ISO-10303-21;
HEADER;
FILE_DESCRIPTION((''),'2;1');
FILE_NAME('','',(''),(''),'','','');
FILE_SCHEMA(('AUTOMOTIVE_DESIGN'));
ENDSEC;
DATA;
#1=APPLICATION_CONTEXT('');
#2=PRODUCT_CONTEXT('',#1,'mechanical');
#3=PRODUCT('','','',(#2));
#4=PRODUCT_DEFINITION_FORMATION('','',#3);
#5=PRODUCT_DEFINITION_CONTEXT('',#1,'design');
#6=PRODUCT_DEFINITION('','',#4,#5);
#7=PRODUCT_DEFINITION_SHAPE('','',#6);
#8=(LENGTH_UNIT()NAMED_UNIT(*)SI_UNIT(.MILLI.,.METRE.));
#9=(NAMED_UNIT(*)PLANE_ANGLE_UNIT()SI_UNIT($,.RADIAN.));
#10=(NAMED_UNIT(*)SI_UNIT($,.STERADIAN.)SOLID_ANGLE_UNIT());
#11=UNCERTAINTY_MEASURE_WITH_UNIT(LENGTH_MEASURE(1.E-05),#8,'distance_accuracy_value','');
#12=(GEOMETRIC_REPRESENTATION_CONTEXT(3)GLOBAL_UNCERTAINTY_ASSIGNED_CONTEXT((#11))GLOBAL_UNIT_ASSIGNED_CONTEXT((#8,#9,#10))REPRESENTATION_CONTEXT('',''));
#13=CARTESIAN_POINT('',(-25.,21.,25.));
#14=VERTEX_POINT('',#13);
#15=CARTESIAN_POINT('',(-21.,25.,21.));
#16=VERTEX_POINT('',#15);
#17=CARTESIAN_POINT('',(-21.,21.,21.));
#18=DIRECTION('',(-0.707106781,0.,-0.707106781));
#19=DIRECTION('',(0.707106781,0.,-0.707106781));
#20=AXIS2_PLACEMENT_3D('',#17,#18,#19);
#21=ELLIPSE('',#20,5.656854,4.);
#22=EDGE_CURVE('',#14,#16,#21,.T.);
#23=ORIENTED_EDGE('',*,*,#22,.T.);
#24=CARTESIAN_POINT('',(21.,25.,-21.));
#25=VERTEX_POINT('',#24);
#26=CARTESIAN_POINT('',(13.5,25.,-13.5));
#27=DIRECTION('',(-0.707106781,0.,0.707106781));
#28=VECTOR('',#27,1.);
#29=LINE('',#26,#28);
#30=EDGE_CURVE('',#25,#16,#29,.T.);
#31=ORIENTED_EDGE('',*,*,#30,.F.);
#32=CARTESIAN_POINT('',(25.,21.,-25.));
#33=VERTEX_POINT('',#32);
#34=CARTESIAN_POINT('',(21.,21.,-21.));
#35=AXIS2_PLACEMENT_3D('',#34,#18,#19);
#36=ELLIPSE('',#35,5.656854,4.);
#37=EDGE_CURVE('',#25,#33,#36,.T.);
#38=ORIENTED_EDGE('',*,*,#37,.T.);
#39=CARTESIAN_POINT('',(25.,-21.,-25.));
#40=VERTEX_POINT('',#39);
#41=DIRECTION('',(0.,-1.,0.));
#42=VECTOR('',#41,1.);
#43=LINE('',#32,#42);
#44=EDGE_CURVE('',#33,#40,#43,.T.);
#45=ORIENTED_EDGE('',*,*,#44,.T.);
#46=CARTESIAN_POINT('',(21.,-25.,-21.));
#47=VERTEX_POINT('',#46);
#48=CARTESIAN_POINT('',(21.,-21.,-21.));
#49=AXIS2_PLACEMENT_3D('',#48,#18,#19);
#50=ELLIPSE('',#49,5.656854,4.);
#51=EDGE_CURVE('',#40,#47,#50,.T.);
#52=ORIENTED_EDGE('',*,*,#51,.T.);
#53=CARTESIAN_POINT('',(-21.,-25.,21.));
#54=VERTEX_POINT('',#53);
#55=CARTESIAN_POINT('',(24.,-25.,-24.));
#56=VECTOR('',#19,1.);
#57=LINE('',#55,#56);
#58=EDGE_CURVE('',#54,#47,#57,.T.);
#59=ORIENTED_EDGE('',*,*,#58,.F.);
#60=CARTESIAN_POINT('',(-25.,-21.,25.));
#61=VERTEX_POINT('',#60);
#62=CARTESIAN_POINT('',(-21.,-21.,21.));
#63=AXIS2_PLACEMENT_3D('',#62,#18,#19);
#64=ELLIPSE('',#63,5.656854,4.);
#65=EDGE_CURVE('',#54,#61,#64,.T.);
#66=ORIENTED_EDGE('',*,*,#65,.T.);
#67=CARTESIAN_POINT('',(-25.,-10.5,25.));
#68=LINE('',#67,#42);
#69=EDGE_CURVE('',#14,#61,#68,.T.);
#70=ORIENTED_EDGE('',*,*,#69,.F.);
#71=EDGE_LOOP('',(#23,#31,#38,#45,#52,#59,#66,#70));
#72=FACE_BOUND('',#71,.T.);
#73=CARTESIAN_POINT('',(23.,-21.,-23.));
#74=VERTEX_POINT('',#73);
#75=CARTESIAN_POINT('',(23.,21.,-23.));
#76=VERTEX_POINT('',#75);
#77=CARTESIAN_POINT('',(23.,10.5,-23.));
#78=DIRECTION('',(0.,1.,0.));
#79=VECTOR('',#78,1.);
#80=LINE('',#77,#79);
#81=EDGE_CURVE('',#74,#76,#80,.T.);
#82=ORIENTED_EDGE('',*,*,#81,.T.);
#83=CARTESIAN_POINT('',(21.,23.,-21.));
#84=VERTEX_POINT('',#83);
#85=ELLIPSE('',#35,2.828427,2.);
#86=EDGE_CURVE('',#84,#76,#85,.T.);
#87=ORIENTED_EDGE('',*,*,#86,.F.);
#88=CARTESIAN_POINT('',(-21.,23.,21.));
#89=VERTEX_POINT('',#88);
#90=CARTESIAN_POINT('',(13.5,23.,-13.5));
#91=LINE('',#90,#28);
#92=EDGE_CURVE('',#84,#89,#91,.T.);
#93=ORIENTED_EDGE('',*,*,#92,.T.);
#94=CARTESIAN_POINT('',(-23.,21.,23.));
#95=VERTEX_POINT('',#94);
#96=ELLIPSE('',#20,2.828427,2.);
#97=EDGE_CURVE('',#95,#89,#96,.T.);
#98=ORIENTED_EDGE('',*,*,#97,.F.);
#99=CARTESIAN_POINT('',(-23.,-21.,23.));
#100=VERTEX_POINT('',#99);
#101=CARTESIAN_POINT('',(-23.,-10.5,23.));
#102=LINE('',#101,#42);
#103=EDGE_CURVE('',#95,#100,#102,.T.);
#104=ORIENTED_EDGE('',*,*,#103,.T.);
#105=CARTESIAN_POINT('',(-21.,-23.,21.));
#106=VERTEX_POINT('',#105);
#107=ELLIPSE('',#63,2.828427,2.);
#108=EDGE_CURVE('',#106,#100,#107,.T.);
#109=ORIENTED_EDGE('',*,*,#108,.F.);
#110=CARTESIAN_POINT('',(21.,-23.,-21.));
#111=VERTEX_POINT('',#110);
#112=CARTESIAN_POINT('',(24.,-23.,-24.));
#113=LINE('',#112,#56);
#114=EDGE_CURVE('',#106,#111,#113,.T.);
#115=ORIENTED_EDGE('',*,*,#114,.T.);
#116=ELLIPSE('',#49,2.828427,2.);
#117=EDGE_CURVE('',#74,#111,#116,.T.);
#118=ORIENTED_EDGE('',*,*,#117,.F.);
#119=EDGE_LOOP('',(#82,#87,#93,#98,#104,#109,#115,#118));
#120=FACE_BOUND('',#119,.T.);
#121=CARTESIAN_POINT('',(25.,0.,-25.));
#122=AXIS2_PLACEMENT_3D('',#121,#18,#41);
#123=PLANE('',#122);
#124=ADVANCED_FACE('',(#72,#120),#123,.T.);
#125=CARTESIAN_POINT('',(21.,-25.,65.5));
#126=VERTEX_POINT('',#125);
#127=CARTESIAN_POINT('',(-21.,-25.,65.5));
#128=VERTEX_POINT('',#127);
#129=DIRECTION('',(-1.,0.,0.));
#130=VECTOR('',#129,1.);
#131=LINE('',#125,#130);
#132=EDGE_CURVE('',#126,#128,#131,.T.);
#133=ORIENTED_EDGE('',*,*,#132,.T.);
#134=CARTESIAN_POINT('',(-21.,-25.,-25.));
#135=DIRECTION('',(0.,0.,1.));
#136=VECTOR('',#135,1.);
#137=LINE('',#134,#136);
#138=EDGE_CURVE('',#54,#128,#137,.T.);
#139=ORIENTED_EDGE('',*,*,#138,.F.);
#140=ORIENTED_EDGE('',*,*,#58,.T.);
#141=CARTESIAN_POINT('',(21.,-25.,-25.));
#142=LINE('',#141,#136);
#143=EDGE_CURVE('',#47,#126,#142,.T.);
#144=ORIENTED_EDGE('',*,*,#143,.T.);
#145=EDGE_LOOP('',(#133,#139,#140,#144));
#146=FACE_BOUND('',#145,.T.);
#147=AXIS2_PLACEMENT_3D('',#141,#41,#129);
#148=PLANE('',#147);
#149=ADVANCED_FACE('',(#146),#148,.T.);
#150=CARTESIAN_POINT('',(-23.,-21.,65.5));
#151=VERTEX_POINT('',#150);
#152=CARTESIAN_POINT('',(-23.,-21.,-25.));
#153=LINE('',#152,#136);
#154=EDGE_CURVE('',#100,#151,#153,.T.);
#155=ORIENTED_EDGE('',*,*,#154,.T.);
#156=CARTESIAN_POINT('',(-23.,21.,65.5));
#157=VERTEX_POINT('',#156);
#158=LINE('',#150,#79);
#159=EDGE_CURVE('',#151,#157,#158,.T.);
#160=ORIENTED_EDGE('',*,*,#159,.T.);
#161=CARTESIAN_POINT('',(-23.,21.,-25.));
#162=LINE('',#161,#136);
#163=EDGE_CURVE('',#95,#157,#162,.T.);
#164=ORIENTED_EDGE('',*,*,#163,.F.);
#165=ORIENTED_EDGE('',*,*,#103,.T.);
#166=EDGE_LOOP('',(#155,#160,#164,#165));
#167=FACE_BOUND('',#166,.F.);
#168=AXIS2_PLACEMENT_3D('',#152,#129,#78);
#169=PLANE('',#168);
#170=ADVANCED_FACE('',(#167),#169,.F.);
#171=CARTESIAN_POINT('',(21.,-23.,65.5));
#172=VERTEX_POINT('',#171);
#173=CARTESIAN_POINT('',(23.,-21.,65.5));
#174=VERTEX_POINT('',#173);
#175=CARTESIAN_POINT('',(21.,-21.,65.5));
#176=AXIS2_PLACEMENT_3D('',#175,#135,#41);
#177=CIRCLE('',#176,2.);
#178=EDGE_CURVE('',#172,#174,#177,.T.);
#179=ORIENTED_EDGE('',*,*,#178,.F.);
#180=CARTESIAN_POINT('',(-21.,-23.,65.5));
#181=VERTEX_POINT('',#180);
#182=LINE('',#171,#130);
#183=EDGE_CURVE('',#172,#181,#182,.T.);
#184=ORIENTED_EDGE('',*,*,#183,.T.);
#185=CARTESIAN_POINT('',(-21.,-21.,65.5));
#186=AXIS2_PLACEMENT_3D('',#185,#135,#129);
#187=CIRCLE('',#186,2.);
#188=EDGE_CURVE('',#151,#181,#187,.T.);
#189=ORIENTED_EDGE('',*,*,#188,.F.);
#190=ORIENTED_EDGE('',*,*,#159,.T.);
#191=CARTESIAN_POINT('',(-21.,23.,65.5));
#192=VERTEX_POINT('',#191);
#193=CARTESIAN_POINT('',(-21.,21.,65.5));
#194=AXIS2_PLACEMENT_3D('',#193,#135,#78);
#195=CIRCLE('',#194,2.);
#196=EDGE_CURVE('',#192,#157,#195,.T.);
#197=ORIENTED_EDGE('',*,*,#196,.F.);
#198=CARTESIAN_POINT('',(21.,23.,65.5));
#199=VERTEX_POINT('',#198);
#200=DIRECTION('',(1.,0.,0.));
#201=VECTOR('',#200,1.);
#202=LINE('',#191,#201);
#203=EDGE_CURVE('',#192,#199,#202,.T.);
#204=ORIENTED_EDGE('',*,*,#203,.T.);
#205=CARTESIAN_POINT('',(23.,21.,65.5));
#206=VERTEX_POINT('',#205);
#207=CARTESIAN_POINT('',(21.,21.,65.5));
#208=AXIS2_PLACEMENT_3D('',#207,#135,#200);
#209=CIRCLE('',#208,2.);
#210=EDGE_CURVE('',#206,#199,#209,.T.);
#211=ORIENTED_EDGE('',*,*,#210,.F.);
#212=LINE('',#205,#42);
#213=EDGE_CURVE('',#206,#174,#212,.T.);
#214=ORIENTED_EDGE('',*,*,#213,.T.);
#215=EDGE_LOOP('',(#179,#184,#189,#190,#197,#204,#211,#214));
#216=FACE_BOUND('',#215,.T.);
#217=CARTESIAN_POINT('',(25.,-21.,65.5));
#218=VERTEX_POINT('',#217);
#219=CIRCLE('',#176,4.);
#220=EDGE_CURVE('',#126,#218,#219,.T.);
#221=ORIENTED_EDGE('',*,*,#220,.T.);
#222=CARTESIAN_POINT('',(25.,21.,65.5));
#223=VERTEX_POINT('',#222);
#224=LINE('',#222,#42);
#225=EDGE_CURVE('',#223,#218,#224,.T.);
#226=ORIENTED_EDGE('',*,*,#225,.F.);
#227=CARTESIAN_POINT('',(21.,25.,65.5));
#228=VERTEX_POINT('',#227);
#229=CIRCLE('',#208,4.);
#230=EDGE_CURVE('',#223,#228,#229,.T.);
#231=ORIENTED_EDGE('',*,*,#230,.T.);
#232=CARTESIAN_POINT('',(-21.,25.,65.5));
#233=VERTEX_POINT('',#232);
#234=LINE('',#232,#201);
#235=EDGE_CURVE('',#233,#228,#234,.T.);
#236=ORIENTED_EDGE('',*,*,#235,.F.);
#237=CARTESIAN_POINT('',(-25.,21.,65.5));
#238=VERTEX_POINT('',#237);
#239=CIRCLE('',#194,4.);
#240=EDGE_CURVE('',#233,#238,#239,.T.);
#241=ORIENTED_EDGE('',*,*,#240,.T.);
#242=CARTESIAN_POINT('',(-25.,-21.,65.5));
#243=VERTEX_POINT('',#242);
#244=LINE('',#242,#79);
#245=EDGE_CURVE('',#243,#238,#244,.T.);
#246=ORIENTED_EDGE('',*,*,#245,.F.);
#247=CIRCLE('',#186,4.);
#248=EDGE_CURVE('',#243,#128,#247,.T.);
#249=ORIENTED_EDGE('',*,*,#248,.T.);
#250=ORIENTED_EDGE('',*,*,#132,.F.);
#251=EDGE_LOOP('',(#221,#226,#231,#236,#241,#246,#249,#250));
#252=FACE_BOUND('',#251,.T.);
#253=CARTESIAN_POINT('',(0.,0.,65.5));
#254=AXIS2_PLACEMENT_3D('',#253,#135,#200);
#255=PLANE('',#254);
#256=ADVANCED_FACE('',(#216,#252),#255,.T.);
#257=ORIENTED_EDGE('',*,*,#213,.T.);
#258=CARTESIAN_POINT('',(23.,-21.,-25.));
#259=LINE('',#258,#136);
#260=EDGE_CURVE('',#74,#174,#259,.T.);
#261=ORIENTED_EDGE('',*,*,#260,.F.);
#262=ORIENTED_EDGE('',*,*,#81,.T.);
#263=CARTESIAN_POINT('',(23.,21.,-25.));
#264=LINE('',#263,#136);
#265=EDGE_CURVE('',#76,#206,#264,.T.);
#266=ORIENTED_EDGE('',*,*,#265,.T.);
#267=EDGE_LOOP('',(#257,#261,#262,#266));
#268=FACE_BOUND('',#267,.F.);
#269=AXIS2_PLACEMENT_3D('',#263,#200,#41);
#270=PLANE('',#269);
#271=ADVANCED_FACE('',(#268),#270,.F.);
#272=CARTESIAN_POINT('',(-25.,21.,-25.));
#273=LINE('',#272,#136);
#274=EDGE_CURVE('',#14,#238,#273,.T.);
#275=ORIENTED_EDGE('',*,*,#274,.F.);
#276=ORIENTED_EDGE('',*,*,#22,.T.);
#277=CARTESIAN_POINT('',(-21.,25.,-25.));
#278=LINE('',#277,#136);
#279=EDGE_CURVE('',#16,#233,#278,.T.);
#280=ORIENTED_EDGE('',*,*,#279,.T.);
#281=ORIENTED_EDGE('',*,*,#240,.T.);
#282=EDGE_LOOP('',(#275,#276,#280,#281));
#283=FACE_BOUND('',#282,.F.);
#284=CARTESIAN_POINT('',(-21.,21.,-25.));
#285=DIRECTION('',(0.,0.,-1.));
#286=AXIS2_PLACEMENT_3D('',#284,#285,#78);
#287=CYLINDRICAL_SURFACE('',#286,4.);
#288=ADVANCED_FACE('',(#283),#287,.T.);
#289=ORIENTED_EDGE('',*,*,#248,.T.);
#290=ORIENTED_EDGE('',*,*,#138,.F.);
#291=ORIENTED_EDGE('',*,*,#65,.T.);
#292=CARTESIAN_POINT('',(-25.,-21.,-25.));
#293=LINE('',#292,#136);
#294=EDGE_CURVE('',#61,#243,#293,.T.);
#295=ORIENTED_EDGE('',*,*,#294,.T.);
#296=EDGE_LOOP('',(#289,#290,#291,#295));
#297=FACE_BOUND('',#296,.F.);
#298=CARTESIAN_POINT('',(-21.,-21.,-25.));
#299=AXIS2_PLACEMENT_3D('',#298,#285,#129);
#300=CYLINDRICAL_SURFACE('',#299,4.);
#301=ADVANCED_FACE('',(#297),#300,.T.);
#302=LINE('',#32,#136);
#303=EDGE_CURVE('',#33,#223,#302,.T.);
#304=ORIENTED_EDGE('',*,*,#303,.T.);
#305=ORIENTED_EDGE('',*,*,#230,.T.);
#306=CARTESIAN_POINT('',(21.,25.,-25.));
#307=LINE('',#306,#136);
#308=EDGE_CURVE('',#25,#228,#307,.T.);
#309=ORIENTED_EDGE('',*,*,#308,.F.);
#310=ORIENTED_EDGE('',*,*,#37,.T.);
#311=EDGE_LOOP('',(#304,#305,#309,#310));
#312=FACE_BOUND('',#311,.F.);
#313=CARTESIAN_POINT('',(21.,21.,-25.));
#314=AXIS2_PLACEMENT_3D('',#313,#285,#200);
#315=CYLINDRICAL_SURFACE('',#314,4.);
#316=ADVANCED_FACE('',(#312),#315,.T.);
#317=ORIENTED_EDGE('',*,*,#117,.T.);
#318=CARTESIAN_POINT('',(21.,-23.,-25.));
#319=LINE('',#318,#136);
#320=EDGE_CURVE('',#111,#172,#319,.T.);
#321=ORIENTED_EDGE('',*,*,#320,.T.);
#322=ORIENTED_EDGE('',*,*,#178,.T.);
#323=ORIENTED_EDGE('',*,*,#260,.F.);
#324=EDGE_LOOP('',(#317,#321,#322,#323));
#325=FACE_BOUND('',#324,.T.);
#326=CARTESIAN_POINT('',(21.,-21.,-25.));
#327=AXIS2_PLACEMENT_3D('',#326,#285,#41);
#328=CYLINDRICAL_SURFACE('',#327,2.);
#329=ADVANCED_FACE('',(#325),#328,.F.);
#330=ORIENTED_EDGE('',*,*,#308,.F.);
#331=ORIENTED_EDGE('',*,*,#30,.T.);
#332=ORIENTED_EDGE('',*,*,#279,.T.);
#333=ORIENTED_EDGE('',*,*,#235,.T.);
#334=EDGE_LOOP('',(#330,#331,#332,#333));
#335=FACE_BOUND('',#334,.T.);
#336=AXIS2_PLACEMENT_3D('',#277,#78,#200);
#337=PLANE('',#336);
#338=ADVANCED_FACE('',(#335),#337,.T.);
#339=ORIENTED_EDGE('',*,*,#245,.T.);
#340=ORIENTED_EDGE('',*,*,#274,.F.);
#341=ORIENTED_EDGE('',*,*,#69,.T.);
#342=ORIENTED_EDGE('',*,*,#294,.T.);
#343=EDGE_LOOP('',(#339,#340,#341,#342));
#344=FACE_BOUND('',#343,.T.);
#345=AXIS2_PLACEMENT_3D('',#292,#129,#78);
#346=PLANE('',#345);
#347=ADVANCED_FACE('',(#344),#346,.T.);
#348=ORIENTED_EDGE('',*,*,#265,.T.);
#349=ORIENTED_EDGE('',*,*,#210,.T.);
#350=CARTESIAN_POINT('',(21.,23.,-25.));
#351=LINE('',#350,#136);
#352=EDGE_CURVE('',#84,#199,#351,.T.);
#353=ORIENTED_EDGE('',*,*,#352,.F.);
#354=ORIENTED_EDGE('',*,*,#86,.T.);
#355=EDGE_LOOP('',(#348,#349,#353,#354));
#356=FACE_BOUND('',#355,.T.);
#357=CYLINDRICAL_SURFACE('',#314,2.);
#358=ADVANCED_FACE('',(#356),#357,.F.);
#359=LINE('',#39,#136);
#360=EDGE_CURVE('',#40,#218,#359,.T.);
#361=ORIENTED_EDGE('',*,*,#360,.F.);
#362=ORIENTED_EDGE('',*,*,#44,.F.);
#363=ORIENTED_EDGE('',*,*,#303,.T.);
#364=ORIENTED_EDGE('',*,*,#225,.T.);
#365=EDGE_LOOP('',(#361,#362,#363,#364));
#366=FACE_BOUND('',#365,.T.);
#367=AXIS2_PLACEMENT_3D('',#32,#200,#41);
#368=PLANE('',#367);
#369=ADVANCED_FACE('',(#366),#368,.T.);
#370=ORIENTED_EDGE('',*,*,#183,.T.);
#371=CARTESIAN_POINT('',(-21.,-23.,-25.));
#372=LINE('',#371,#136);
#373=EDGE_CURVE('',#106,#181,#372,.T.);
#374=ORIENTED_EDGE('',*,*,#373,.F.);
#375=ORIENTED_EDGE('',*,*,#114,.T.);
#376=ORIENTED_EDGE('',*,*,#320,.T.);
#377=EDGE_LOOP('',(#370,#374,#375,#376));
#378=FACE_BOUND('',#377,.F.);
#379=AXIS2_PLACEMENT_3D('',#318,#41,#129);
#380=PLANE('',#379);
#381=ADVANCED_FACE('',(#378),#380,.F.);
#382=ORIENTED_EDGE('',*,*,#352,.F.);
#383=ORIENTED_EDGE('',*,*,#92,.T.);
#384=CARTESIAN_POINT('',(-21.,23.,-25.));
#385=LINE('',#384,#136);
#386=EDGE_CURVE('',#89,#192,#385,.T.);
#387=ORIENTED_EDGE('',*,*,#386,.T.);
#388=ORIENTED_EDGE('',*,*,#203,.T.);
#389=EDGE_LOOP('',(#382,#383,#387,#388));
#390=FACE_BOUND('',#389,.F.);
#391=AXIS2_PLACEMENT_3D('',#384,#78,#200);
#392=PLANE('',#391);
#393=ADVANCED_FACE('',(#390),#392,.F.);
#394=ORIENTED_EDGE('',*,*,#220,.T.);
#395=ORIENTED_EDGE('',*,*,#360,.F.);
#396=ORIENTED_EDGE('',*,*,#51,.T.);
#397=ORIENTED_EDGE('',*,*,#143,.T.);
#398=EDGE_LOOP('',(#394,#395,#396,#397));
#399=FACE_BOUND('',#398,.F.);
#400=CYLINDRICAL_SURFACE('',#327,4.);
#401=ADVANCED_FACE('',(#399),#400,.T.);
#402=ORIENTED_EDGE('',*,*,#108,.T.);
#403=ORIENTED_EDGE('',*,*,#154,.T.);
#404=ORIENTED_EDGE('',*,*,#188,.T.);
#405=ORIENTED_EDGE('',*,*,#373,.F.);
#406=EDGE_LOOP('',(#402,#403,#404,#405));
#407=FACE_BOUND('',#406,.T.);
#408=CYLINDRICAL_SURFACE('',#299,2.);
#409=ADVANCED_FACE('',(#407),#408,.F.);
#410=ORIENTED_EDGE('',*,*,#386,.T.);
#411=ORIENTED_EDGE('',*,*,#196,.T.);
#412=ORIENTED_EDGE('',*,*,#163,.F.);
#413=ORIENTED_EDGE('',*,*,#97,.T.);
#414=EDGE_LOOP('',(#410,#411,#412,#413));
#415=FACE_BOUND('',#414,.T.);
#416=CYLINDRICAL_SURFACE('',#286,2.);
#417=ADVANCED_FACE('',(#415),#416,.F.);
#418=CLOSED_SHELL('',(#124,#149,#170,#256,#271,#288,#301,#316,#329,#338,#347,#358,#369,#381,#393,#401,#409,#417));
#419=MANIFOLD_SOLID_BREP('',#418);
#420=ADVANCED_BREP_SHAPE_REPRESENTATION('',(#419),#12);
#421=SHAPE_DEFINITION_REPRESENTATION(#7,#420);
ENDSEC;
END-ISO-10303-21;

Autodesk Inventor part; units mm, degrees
ref_plane "Start Plane" through (0, 0, -25) normal (0, 0, 1) x (1, 0, 0)
ref_plane "End Plane" through (0, 0, 65.5) normal (0, 0, 1) x (1, 0, 0)
sketch "Sketch" plane through (0, 0, 0) normal (0, 0, 1) x (1, 0, 0)
  line L0 (-25, -21) -> (-25, 21)
  line L1 (-21, 25) -> (21, 25)
  line L2 (25, 21) -> (25, -21)
  line L3 (21, -25) -> (-21, -25)
  arc A0 (-25, -21) -> (-21, -25) centre (-21, -21) ccw
  arc A1 (25, 21) -> (21, 25) centre (21, 21) ccw
  arc A2 (-21, 25) -> (-25, 21) centre (-21, 21) ccw
  arc A3 (21, -25) -> (25, -21) centre (21, -21) ccw
  arc A4 (-21, 23) -> (-23, 21) centre (-21, 21) ccw
  line L4 (-21, 23) -> (21, 23)
  arc A5 (23, 21) -> (21, 23) centre (21, 21) ccw
  line L5 (23, 21) -> (23, -21)
  arc A6 (21, -23) -> (23, -21) centre (21, -21) ccw
  line L6 (21, -23) -> (-21, -23)
  arc A7 (-23, -21) -> (-21, -23) centre (-21, -21) ccw
  line L7 (-23, -21) -> (-23, 21)
  line L8 (0, 36.1598) -> (0, -36.1598) construction
  line L9 (-36.1598, 0) -> (36.1598, 0) construction
  dimension "d7" = 4
  dimension "d9" = 50
  dimension "d11" = 50
  dimension "d12" = 2
  dimension "d15" = 25
  dimension "d16" = 25
extrude "Body" add sketch "Sketch" along normal up to surface (90.5 mm away) from surface at -25
sketch "Sketch3" plane through (0, 0, 0) normal (0, 0, 1) x (1, 0, 0)
  line L0 (0, 0) -> (10, 0)
ref_plane "Work Plane3" through (0, 0, 0) normal (0, -1, 0) x (1, 0, 0)
sketch "Sketch4" plane through (0, 0, 0) normal (0, -1, 0) x (1, 0, 0)
  line L0 (-2, -25) -> (12, -25)
  line L1 (-2, 65.5) -> (12, 65.5)
  dimension "d18" = 90.5
ref_plane "Work Plane4" through (25, 0, -25) normal (-0.7071, 0, -0.7071) x (-0.7071, 0, 0.7071)
split "Split1" plane through (25, 0, -25) removes the side toward (-0.7071, 0, -0.7071)
ref_plane "Work Plane5" through (-21, -639.75, 65.5) normal (0, 0, 1) x (1, 0, 0)
split "Split2" plane through (-21, -639.75, 65.5) removes the side toward (0, 0, 1)
equation "\"d7\" = G_IR"
equation "\"d9\" = G_W"
equation "\"d11\" = G_H"
equation "\"d12\" = G_T"
equation "\"d15\" = 0.5 * d9"
equation "\"d16\" = 0.5 * d11"
equation "\"d3\" = G_L"
equation "\"G_W\" = 50"
equation "\"G_H\" = 50"
equation "\"G_T\" = 2"
equation "\"G_IR\" = 4"
equation "\"G_L\" = d18"
equation "\"G_OFFSET_START\" = 25"
equation "\"G_OFFSET_END\" = -25"
equation "\"d13\" = -G_OFFSET_START"
equation "\"d14\" = G_OFFSET_END + B_L"
equation "\"B_L\" = 90.5"
properties part number "ISO 10799-2 - 50x50x2 - 90.5" material "Steel, Galvanized"
